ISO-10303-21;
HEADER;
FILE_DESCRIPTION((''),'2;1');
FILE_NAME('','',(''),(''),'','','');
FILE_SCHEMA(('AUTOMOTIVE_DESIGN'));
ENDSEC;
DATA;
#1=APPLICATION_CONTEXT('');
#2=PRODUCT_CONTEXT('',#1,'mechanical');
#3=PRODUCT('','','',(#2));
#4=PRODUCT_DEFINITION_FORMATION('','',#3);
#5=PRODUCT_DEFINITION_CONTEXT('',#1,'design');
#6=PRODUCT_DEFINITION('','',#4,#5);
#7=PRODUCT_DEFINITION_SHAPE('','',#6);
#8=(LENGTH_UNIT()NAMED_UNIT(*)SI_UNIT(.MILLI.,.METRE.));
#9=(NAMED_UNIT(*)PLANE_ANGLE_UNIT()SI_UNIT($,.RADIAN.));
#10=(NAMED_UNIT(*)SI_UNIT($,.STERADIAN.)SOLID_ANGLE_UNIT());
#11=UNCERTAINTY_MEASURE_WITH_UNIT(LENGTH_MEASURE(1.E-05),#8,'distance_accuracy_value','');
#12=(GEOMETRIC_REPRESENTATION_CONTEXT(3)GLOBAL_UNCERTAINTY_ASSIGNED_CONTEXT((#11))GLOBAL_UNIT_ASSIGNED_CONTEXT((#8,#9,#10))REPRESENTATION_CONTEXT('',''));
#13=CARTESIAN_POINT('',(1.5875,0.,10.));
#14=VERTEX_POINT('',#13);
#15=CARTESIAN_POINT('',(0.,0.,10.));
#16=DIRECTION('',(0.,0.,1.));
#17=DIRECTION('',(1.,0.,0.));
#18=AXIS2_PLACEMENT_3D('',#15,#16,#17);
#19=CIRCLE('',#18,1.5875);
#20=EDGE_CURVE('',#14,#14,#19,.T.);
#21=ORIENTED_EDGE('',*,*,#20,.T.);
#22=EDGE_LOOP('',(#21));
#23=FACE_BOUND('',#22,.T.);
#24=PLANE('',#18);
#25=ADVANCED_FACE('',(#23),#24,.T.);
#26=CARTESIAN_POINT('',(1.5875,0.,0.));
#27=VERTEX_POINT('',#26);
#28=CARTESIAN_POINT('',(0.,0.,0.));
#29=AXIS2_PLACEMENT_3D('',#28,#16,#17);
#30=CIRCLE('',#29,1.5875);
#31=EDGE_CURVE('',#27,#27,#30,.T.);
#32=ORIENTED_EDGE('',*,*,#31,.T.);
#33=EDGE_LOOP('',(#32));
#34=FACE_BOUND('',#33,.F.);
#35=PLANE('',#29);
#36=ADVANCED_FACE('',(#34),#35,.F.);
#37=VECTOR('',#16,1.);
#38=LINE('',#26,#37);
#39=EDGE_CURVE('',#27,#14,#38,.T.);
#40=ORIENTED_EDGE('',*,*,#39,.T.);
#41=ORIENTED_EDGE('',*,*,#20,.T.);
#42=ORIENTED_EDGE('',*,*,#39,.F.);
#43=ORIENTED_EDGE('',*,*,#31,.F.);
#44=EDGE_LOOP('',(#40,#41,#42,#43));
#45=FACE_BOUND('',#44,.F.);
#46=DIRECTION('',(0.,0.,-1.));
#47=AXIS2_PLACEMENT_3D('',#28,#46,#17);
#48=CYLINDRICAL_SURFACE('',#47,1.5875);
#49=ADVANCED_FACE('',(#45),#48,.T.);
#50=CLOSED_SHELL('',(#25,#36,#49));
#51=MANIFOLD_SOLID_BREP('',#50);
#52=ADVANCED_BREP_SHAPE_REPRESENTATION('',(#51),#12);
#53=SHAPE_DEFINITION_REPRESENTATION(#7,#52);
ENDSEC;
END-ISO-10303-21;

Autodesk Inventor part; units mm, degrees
ref_plane "YZ Plane" through (0, 0, 0) normal (1, 0, 0) x (0, 1, 0)
ref_plane "Start Plane" through (0, 0, 0) normal (0, 0, 1) x (1, 0, 0)
ref_plane "End Plane" through (0, 0, 10) normal (0, 0, 1) x (1, 0, 0)
sketch "Sketch" plane through (0, 0, 0) normal (0, 0, 1) x (1, 0, 0)
  circle A0 centre (0, 0) radius 1.5875
  dimension "d0" = 3.175
extrude "Body" add sketch "Sketch" along normal up to surface (10 mm away) from surface at 0
sketch "Sketch2" plane through (0, 0, 0) normal (0, 0, 1) x (1, 0, 0)
  line L0 (0, 0) -> (10, 0)
ref_plane "Work Plane3" through (0, 0, 0) normal (0, -1, 0) x (1, 0, 0)
sketch "Sketch3" plane through (0, 0, 0) normal (0, -1, 0) x (1, 0, 0)
  line L0 (-2, 0) -> (12, 0)
  line L1 (-2, 10) -> (12, 10)
  dimension "d7" = 10
equation "\"d0\" = Diam"
equation "\"d1\" = G_L"
equation "\"Diam\" = 3.175"
equation "\"G_L\" = d7"
equation "\"G_OFFSET_START\" = 0"
equation "\"G_OFFSET_END\" = 0"
equation "\"d5\" = G_OFFSET_END + B_L"
equation "\"B_L\" = 10"
properties part number "ANSI/AISC Rolled Steel - 1/8-0,394, RB" material "Steel, Mild"
